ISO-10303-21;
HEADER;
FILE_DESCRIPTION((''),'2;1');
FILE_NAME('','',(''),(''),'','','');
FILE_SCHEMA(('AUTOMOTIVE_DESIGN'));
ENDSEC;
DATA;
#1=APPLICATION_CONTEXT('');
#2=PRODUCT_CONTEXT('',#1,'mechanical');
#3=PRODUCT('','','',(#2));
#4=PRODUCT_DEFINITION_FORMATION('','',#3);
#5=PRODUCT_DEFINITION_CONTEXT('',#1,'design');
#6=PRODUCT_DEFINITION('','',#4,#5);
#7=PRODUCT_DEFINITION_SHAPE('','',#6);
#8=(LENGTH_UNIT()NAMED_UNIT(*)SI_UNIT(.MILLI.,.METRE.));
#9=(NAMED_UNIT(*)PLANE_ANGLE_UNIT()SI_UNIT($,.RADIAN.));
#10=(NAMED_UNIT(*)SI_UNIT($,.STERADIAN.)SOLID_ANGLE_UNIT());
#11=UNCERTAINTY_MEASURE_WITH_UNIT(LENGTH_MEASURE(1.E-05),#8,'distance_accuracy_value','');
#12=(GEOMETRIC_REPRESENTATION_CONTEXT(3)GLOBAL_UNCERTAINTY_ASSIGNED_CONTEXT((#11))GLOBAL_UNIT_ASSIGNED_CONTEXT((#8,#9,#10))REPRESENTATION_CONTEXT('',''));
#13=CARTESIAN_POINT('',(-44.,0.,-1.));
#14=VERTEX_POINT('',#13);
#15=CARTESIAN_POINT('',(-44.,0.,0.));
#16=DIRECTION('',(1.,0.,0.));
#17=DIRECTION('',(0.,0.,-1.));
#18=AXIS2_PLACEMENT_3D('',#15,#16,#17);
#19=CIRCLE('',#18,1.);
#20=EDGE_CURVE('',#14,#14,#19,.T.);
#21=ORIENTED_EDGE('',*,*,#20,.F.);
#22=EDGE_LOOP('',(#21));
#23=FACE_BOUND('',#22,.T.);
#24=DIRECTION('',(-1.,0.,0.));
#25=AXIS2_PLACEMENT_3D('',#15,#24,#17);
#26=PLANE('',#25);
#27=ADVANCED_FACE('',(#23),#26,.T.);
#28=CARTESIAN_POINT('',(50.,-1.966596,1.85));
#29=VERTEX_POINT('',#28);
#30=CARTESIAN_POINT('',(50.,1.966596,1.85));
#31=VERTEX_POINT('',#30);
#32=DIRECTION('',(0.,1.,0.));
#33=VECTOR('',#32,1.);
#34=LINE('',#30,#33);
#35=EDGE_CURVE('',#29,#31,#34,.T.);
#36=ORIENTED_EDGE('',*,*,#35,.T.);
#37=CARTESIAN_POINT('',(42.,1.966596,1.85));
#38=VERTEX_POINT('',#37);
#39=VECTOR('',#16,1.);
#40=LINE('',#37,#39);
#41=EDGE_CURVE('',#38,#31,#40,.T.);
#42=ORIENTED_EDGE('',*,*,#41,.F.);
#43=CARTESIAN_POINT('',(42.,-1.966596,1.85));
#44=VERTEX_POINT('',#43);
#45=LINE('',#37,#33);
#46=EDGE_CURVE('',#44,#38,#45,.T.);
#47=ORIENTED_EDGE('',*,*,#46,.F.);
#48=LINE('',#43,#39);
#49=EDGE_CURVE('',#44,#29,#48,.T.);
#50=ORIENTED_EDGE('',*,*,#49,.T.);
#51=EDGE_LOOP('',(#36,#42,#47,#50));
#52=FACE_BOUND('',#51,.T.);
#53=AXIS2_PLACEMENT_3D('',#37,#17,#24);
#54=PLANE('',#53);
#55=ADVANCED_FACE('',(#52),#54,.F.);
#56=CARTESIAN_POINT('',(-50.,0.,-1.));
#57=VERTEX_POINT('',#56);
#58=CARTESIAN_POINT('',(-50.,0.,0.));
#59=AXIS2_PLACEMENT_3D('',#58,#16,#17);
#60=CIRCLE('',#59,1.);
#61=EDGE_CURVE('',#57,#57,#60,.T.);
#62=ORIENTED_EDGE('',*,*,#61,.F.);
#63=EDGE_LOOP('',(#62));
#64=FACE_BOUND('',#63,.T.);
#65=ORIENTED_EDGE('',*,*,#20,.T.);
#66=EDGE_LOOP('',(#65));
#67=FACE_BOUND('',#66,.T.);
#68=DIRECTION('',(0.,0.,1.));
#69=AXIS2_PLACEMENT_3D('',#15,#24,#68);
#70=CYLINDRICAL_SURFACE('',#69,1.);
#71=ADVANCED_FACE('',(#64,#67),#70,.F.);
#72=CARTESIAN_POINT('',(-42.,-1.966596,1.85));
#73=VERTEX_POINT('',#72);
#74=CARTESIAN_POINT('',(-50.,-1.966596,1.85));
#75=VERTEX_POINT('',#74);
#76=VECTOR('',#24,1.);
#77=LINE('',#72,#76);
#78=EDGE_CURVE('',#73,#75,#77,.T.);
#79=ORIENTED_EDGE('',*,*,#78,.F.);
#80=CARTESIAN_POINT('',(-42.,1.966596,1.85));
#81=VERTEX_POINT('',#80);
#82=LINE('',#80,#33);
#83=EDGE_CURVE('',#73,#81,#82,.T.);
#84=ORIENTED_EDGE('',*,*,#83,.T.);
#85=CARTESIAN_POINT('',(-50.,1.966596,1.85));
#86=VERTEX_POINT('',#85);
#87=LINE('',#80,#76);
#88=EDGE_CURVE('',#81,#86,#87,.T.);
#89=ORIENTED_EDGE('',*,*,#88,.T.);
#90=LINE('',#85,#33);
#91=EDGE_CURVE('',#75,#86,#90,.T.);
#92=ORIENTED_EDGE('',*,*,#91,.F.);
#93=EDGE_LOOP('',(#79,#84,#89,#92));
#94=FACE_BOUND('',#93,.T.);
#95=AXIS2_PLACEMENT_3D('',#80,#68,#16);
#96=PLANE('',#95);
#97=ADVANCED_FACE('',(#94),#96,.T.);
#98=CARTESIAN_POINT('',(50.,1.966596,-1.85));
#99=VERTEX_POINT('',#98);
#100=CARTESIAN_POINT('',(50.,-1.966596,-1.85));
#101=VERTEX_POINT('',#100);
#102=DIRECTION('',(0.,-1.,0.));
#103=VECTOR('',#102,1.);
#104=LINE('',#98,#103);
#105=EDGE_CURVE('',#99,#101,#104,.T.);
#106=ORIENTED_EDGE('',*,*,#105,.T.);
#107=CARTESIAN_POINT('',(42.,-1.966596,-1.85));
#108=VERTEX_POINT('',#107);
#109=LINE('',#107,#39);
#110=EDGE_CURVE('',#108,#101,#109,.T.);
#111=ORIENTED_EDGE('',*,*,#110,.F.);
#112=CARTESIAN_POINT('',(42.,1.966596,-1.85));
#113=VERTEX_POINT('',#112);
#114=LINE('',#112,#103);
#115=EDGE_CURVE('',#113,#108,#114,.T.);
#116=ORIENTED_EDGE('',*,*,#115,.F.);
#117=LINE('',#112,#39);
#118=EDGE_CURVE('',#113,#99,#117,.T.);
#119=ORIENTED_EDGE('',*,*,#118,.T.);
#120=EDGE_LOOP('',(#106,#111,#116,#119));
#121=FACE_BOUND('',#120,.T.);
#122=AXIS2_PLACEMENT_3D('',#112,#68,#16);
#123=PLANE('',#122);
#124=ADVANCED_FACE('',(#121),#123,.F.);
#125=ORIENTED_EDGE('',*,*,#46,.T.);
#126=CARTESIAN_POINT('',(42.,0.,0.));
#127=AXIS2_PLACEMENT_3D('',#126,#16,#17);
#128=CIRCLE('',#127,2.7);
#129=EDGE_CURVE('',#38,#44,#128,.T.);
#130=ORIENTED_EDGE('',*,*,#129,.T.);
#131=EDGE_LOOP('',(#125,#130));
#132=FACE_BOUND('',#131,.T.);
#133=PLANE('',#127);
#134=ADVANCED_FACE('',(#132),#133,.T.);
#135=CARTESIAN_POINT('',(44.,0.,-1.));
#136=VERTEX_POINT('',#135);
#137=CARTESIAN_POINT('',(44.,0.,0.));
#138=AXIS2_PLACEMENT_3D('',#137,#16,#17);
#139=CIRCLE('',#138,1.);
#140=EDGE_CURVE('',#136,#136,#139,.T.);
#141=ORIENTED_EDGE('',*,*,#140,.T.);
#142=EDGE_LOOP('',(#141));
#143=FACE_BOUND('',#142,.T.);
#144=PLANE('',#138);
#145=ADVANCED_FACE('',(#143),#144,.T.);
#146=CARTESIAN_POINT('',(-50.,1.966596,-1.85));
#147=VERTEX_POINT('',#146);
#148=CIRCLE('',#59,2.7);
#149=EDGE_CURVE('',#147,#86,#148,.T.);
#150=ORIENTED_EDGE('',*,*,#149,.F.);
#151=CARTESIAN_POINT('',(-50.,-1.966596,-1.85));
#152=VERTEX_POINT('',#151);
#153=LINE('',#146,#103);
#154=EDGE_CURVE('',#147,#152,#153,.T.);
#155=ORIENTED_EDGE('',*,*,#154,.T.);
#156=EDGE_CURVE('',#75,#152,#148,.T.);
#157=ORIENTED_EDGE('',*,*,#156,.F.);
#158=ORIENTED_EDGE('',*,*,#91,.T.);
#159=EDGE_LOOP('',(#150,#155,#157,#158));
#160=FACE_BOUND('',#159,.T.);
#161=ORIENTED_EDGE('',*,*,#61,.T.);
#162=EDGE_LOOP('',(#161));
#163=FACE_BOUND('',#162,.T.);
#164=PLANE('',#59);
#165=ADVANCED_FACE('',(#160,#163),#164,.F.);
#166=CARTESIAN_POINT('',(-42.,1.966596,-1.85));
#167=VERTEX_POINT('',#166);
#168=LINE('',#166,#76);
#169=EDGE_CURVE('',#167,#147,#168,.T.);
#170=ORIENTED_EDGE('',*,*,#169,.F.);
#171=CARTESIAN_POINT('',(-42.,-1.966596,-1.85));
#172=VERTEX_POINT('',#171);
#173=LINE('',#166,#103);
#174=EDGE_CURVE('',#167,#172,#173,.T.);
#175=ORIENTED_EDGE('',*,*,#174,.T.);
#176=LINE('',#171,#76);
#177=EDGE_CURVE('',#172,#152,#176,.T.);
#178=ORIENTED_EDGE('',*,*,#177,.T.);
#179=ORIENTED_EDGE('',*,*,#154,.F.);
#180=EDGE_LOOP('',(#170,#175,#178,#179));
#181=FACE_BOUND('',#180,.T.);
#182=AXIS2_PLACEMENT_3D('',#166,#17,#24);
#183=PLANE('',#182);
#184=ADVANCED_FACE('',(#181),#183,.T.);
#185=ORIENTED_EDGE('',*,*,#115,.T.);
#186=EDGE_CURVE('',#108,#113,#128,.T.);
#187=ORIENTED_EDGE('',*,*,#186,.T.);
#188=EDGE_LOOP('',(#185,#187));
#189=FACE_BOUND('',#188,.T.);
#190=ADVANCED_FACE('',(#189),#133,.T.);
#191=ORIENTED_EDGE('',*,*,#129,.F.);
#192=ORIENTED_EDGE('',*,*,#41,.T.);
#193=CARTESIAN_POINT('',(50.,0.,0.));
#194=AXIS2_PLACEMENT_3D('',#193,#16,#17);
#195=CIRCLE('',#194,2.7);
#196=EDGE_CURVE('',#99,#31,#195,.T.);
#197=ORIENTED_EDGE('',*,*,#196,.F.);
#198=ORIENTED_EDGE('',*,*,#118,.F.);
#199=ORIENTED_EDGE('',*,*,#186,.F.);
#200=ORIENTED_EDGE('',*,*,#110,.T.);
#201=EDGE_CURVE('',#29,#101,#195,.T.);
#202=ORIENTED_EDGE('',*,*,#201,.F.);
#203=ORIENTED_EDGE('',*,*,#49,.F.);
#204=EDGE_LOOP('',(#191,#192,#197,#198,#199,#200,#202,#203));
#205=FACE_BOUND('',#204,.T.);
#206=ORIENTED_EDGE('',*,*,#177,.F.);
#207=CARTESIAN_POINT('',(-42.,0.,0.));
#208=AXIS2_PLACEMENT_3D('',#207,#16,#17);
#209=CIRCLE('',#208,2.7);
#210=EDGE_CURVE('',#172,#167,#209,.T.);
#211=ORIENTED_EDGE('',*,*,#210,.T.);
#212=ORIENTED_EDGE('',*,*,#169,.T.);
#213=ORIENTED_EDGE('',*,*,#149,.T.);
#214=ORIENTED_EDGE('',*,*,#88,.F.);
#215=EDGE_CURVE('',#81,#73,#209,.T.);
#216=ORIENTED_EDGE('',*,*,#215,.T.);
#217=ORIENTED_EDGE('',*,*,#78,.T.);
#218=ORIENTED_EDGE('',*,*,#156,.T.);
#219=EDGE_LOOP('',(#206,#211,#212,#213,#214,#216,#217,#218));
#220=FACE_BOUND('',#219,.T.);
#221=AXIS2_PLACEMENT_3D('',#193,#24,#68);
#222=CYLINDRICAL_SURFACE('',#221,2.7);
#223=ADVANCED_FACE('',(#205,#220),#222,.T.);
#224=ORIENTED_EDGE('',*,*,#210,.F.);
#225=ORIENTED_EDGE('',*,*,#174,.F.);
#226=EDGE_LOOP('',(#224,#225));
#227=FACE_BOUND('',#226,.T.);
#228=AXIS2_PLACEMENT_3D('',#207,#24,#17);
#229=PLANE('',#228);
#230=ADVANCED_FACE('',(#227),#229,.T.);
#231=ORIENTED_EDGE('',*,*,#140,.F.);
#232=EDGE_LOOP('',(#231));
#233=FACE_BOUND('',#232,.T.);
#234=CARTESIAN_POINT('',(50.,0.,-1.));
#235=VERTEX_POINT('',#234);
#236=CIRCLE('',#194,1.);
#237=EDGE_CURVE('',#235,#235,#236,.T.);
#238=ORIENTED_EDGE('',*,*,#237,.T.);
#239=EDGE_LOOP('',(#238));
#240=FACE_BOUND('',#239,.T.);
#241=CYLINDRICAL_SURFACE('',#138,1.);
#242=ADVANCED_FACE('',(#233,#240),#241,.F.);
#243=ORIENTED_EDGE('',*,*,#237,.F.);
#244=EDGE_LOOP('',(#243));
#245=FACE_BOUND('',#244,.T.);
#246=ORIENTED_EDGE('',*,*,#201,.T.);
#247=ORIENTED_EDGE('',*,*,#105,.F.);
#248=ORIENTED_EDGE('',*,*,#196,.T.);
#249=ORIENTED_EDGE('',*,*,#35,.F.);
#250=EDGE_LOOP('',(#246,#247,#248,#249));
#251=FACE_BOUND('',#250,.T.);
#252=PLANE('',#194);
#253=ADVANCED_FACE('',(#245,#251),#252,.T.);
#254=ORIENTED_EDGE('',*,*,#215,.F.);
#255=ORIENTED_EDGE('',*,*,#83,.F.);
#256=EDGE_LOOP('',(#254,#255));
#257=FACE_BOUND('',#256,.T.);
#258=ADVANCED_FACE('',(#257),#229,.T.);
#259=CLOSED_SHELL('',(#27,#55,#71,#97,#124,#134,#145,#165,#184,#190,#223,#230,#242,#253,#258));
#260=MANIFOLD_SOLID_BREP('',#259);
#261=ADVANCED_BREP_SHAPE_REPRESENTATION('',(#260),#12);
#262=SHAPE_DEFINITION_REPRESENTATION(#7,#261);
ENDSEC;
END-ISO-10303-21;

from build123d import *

# Parameters (mm, degrees)
SKETCH1_R           = 2.7
BOSS_EXTRUDE1_DEPTH = 50
CUT_EXTRUDE1_DEPTH  = 8
SKETCH3_R           = 1
CUT_EXTRUDE2_DEPTH  = 6


with BuildPart() as part:
    # Sketch1 → Boss-Extrude1 (new, symmetric)
    with BuildSketch(Plane(origin=(0, 0, 0), x_dir=(0, 0, -1), z_dir=(1, 0, 0))):
        Circle(SKETCH1_R)
    extrude(amount=BOSS_EXTRUDE1_DEPTH, both=True)

    # Sketch2 → Cut-Extrude1 (cut)
    with BuildSketch(Plane(origin=(50, 0, 0), x_dir=(0, 0, -1), z_dir=(1, 0, 0))):
        with BuildLine():
            Line((-1.85, 1.966596044), (-1.85, -1.966596044))
            ThreePointArc((-1.85, -1.966596044), (-2.7, 0), (-1.85, 1.966596044))
        make_face()
        with BuildLine():
            Line((1.85, 1.966596044), (1.85, -1.966596044))
            ThreePointArc((1.85, -1.966596044), (2.7, 0), (1.85, 1.966596044))
        make_face()
    cut_extrude1 = extrude(amount=-CUT_EXTRUDE1_DEPTH, mode=Mode.SUBTRACT)

    # Sketch3 → Cut-Extrude2 (cut)
    with BuildSketch(Plane(origin=(50, 0, 0), x_dir=(0, 0, -1), z_dir=(1, 0, 0))):
        Circle(SKETCH3_R)
    cut_extrude2 = extrude(amount=-CUT_EXTRUDE2_DEPTH, mode=Mode.SUBTRACT)

    # Mirror1: Cut-Extrude1, Cut-Extrude2 across plane
    add(cut_extrude1.mirror(Plane(origin=(0, 0, 0), x_dir=(0, 0, 1), z_dir=(1, 0, 0))), mode=Mode.SUBTRACT)
    add(cut_extrude2.mirror(Plane(origin=(0, 0, 0), x_dir=(0, 0, 1), z_dir=(1, 0, 0))), mode=Mode.SUBTRACT)


solid = part.part
